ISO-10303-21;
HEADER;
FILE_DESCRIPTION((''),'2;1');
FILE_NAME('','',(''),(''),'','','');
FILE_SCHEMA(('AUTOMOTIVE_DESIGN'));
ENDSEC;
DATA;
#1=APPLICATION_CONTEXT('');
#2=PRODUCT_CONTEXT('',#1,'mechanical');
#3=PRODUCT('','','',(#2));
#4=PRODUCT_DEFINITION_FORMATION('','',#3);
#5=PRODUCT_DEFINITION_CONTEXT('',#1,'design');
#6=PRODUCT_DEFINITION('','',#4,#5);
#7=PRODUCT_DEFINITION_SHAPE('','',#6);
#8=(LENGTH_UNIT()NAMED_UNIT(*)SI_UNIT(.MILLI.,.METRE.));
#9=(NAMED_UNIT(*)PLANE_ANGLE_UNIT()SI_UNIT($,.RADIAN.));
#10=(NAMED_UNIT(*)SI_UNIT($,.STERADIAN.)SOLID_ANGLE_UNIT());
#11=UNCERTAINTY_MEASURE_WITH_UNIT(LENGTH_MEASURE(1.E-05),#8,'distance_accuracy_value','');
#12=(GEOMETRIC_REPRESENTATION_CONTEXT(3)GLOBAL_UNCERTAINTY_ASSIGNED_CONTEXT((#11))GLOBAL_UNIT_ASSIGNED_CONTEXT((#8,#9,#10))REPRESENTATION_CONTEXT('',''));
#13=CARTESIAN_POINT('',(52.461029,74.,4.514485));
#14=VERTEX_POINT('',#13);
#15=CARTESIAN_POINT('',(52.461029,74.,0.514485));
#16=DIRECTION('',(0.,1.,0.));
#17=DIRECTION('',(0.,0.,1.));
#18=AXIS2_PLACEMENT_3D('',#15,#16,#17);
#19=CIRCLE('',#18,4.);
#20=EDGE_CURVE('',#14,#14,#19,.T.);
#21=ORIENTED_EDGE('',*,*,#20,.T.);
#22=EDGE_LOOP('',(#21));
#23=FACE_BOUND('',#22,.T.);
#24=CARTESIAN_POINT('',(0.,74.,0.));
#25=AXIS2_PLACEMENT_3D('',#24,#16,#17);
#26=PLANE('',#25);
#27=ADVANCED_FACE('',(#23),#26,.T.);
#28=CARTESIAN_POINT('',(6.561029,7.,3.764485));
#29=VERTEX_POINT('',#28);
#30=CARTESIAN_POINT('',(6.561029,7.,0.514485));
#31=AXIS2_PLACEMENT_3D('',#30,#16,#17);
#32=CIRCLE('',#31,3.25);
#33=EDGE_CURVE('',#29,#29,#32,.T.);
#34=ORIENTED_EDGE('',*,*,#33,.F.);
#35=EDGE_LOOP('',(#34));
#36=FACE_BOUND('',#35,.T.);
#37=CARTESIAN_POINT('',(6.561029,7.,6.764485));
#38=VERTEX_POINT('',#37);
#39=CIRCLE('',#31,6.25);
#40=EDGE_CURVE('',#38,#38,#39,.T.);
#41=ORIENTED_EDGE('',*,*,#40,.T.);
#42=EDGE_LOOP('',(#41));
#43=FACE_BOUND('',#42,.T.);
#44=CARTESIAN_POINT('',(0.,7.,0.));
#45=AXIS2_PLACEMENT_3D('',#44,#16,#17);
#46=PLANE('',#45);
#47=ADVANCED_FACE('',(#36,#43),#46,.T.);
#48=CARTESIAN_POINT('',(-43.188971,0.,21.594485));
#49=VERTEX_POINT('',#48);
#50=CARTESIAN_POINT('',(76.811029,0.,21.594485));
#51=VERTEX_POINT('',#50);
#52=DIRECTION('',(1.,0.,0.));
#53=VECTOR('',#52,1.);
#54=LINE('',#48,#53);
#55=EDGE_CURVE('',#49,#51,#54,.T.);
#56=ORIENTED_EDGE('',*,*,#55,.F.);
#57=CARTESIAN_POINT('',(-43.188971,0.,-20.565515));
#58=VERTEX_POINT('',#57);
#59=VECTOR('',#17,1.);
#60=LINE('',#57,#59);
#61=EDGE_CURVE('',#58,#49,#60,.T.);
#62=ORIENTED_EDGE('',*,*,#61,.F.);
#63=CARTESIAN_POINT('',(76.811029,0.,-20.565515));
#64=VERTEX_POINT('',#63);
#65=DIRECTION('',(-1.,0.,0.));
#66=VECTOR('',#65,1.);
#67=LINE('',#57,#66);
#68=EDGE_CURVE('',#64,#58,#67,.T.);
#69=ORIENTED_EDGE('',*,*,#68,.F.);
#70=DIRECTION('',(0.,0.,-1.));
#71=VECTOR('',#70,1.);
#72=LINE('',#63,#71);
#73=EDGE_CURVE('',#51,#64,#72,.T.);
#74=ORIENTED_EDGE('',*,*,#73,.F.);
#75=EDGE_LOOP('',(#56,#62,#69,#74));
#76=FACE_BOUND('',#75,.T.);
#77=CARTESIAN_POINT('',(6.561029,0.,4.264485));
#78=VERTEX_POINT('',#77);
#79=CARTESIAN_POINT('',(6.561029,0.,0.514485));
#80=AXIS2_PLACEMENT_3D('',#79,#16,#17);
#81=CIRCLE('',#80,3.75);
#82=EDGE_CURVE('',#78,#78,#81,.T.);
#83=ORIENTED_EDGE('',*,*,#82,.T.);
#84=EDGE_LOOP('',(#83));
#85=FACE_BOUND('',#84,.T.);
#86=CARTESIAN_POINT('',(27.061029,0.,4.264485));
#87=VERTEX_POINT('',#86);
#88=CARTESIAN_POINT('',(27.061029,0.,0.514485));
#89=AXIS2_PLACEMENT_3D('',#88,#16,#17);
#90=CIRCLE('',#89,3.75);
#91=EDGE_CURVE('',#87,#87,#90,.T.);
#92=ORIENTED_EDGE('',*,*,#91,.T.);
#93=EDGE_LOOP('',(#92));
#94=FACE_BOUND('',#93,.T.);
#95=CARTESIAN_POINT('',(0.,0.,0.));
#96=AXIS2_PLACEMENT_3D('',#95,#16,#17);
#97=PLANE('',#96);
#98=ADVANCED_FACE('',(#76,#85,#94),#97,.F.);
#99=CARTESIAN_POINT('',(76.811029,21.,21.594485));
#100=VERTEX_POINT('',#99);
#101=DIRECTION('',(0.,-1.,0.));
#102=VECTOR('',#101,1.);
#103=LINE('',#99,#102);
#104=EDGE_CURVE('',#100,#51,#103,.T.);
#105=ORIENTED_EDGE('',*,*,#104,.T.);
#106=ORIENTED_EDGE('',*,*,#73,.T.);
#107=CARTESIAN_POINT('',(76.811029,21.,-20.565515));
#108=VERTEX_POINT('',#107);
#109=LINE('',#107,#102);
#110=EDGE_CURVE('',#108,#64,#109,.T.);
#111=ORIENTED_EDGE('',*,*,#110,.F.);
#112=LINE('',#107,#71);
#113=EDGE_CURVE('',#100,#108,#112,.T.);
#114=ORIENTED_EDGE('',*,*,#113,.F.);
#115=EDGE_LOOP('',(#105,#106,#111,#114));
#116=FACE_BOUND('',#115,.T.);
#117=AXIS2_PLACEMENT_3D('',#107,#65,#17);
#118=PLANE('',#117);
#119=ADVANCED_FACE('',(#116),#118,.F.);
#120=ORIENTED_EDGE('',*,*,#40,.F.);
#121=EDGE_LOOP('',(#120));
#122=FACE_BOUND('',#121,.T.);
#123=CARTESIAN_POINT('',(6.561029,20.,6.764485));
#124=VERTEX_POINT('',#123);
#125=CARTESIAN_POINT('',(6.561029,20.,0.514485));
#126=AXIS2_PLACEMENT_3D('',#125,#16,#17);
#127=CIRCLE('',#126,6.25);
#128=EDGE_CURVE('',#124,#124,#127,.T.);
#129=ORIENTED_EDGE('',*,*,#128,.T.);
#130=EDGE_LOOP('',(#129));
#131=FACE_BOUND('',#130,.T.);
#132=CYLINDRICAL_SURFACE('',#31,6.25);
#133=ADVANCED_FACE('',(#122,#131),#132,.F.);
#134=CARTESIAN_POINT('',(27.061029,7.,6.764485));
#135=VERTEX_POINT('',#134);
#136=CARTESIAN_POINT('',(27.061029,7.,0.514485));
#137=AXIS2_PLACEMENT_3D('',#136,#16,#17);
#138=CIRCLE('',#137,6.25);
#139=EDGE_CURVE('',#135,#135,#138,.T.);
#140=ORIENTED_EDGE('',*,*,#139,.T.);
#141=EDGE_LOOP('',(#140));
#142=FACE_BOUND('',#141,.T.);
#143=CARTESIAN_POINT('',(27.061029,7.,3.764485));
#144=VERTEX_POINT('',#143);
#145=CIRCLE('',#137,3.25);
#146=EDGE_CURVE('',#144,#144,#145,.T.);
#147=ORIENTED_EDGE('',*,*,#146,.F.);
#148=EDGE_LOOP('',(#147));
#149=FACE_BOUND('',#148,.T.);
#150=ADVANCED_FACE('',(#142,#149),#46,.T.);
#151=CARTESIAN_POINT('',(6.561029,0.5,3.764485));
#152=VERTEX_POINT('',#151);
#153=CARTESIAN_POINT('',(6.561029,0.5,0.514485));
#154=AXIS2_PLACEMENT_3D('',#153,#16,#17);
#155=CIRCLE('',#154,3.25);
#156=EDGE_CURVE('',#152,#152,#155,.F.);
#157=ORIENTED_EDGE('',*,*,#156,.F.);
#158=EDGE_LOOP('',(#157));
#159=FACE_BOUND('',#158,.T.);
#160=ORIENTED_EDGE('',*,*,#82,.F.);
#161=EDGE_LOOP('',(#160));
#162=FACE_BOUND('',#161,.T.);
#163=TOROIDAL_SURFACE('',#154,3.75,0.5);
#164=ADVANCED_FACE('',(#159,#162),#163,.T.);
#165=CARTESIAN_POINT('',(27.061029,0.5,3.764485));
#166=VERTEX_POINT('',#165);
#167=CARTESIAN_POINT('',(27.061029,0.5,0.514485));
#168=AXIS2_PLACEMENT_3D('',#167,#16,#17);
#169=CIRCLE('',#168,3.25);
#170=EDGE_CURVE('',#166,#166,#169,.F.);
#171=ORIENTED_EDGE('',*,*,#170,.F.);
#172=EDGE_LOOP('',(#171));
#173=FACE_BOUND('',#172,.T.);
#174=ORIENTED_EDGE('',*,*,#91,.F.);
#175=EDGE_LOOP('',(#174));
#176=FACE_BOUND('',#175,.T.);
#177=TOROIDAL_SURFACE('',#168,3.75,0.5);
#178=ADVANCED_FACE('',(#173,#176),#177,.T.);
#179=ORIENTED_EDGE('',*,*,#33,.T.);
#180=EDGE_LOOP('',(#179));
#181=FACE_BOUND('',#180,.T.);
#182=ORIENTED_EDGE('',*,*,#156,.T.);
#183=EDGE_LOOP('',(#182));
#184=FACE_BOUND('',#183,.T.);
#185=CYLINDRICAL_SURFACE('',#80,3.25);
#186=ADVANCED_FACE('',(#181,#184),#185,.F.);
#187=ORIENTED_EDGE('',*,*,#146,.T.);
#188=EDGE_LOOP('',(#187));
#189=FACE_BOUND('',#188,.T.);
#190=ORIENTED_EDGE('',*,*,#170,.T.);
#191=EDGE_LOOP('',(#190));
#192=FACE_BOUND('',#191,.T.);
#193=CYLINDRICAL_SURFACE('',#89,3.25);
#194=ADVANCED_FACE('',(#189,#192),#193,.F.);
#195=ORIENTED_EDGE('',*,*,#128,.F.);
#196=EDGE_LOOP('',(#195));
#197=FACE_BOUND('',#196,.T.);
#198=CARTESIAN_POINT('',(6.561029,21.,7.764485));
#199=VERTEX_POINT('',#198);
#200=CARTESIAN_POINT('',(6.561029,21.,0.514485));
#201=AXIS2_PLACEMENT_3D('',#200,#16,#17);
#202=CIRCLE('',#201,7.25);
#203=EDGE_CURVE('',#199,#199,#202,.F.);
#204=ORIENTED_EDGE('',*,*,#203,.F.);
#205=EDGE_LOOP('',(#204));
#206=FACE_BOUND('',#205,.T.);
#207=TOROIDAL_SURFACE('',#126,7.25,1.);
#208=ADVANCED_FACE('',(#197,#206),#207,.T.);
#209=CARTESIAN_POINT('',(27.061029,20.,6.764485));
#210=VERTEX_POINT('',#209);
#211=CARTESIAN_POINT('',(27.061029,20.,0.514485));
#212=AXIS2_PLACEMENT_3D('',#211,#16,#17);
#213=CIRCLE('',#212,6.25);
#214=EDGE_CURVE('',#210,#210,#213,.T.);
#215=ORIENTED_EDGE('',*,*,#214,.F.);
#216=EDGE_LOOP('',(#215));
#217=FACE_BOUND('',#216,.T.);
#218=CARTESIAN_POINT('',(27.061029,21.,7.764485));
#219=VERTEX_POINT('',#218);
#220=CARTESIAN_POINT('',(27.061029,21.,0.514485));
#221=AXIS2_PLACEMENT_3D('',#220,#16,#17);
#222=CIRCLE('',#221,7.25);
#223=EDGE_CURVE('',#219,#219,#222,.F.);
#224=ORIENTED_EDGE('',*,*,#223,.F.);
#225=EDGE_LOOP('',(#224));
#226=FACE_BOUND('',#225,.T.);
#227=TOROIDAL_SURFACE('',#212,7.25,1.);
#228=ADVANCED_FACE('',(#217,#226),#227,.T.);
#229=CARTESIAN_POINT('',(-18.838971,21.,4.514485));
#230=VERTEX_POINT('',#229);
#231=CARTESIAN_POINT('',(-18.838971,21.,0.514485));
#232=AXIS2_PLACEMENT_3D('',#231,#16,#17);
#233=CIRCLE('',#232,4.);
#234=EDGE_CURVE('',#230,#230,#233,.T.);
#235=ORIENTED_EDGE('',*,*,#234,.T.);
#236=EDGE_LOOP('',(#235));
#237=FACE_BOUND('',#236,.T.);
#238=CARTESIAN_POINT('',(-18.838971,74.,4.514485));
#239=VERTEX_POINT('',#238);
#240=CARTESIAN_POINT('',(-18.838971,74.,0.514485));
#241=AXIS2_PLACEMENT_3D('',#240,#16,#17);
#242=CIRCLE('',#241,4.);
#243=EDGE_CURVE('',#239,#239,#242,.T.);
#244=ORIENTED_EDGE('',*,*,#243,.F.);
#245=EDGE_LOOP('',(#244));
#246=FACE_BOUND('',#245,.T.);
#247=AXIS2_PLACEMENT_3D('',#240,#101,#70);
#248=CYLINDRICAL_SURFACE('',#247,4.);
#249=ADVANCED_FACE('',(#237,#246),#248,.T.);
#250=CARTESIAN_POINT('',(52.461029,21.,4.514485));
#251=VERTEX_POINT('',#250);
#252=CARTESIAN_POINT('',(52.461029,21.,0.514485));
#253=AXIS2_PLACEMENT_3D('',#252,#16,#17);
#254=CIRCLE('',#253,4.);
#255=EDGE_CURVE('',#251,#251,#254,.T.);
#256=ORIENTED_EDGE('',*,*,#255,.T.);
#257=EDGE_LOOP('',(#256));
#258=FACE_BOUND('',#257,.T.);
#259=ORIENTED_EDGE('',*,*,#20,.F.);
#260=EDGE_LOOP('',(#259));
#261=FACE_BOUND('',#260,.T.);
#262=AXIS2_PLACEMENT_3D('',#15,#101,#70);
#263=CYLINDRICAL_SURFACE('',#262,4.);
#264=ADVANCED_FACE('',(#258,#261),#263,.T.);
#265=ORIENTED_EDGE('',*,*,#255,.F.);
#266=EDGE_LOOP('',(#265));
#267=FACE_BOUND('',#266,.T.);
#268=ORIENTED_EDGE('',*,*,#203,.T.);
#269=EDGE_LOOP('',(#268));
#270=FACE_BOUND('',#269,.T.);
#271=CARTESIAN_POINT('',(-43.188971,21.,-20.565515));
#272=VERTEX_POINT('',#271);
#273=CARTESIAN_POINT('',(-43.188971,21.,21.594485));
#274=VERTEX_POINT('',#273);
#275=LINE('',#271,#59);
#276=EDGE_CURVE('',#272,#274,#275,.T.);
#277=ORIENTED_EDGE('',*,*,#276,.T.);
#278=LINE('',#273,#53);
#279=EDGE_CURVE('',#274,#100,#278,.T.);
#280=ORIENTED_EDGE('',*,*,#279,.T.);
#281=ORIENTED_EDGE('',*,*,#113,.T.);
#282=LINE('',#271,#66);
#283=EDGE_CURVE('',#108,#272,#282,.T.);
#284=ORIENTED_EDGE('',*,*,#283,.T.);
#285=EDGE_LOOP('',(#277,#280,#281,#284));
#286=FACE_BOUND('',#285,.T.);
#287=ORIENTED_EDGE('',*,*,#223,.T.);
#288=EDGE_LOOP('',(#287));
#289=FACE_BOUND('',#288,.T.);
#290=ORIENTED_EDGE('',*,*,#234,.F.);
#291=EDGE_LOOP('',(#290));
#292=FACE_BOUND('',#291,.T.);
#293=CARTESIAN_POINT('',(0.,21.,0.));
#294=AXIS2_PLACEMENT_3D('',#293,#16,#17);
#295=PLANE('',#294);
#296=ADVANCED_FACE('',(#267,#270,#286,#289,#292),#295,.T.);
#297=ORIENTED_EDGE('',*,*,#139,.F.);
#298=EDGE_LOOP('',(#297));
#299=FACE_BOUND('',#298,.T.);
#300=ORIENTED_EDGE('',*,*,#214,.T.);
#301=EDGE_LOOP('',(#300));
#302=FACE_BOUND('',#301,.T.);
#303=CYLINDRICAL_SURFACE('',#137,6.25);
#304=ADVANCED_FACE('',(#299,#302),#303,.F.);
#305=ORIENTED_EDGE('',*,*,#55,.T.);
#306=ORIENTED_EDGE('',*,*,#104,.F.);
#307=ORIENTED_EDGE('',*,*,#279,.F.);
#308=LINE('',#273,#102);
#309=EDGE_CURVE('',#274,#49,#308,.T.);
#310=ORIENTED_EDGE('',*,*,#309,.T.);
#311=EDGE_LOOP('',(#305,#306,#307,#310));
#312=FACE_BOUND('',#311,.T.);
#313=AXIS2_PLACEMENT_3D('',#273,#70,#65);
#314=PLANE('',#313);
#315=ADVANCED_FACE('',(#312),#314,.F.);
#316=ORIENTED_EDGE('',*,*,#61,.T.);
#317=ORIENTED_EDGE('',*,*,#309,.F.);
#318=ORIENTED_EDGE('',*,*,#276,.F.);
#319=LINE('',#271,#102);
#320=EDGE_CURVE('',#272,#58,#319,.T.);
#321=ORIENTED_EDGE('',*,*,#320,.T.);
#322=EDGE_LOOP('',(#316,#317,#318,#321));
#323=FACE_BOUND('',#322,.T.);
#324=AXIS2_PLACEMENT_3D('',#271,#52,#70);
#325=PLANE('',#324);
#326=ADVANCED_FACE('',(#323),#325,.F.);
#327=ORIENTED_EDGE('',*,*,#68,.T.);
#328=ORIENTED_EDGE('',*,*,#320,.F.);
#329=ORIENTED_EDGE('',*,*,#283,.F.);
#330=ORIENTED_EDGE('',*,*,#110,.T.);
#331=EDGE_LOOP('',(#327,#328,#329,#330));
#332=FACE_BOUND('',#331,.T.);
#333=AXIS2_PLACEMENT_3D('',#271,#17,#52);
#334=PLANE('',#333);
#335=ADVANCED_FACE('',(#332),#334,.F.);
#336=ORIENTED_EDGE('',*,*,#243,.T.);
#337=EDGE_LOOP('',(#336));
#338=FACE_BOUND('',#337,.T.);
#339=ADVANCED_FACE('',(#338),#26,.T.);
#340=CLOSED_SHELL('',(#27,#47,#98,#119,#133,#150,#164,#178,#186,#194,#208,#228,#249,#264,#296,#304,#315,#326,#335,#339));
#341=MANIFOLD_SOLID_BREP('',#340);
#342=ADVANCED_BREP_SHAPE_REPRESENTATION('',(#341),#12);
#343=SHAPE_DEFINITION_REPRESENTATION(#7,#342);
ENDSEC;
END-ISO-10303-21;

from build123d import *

# Parameters (mm, degrees)
SKETCH1_W           = 120
SKETCH1_H           = 42.16
BOSS_EXTRUDE1_DEPTH = 21
SKETCH2_R           = 6.25
CUT_EXTRUDE1_DEPTH  = 14
SKETCH3_R           = 3.25
CUT_EXTRUDE2_DEPTH  = 82.007752785
FILLET1_R           = 1
FILLET2_R           = 0.5
SKETCH4_R           = 4
BOSS_EXTRUDE2_DEPTH = 53


with BuildPart() as part:
    # Sketch1 → Boss-Extrude1 (new body)
    with BuildSketch(Plane(origin=(0, 0, 0), x_dir=(1, 0, 0), z_dir=(0, 1, 0))):
        with Locations((16.811029237, -0.514485382)):
            Rectangle(SKETCH1_W, SKETCH1_H)
    extrude(amount=BOSS_EXTRUDE1_DEPTH)

    # Sketch2 → Cut-Extrude1 (cut)
    with BuildSketch(Plane(origin=(0, 21, 0), x_dir=(1, 0, 0), z_dir=(0, 1, 0))):
        with Locations((27.061029237, -0.514485382)):
            Circle(SKETCH2_R)
        with Locations((6.561029237, -0.514485382)):
            Circle(SKETCH2_R)
    extrude(amount=-CUT_EXTRUDE1_DEPTH, mode=Mode.SUBTRACT)

    # Sketch3 → Cut-Extrude2 (cut, through all)
    with BuildSketch(Plane(origin=(0, 7, 0), x_dir=(1, 0, 0), z_dir=(0, 1, 0))):
        with Locations((27.061029237, -0.514485382)):
            Circle(SKETCH3_R)
        with Locations((6.561029237, -0.514485382)):
            Circle(SKETCH3_R)
    extrude(amount=-CUT_EXTRUDE2_DEPTH, mode=Mode.SUBTRACT)

    # Fillet1
    fillet1_edges = [part.edges().sort_by_distance(p)[0] for p in [
        (0.311029237, 21, 0.514485382),
        (20.811029237, 21, 0.514485382),
    ]]
    fillet(fillet1_edges, radius=FILLET1_R)

    # Fillet2
    fillet2_edges = [part.edges().sort_by_distance(p)[0] for p in [
        (3.311029237, 0, 0.514485382),
        (23.811029237, 0, 0.514485382),
    ]]
    fillet(fillet2_edges, radius=FILLET2_R)

    # Sketch4 → Boss-Extrude2 (add)
    with BuildSketch(Plane(origin=(0, 21, 0), x_dir=(1, 0, 0), z_dir=(0, 1, 0))):
        with Locations((52.461029237, -0.514485382)):
            Circle(SKETCH4_R)
        with Locations((-18.838970763, -0.514485382)):
            Circle(SKETCH4_R)
    extrude(amount=BOSS_EXTRUDE2_DEPTH)


solid = part.part
